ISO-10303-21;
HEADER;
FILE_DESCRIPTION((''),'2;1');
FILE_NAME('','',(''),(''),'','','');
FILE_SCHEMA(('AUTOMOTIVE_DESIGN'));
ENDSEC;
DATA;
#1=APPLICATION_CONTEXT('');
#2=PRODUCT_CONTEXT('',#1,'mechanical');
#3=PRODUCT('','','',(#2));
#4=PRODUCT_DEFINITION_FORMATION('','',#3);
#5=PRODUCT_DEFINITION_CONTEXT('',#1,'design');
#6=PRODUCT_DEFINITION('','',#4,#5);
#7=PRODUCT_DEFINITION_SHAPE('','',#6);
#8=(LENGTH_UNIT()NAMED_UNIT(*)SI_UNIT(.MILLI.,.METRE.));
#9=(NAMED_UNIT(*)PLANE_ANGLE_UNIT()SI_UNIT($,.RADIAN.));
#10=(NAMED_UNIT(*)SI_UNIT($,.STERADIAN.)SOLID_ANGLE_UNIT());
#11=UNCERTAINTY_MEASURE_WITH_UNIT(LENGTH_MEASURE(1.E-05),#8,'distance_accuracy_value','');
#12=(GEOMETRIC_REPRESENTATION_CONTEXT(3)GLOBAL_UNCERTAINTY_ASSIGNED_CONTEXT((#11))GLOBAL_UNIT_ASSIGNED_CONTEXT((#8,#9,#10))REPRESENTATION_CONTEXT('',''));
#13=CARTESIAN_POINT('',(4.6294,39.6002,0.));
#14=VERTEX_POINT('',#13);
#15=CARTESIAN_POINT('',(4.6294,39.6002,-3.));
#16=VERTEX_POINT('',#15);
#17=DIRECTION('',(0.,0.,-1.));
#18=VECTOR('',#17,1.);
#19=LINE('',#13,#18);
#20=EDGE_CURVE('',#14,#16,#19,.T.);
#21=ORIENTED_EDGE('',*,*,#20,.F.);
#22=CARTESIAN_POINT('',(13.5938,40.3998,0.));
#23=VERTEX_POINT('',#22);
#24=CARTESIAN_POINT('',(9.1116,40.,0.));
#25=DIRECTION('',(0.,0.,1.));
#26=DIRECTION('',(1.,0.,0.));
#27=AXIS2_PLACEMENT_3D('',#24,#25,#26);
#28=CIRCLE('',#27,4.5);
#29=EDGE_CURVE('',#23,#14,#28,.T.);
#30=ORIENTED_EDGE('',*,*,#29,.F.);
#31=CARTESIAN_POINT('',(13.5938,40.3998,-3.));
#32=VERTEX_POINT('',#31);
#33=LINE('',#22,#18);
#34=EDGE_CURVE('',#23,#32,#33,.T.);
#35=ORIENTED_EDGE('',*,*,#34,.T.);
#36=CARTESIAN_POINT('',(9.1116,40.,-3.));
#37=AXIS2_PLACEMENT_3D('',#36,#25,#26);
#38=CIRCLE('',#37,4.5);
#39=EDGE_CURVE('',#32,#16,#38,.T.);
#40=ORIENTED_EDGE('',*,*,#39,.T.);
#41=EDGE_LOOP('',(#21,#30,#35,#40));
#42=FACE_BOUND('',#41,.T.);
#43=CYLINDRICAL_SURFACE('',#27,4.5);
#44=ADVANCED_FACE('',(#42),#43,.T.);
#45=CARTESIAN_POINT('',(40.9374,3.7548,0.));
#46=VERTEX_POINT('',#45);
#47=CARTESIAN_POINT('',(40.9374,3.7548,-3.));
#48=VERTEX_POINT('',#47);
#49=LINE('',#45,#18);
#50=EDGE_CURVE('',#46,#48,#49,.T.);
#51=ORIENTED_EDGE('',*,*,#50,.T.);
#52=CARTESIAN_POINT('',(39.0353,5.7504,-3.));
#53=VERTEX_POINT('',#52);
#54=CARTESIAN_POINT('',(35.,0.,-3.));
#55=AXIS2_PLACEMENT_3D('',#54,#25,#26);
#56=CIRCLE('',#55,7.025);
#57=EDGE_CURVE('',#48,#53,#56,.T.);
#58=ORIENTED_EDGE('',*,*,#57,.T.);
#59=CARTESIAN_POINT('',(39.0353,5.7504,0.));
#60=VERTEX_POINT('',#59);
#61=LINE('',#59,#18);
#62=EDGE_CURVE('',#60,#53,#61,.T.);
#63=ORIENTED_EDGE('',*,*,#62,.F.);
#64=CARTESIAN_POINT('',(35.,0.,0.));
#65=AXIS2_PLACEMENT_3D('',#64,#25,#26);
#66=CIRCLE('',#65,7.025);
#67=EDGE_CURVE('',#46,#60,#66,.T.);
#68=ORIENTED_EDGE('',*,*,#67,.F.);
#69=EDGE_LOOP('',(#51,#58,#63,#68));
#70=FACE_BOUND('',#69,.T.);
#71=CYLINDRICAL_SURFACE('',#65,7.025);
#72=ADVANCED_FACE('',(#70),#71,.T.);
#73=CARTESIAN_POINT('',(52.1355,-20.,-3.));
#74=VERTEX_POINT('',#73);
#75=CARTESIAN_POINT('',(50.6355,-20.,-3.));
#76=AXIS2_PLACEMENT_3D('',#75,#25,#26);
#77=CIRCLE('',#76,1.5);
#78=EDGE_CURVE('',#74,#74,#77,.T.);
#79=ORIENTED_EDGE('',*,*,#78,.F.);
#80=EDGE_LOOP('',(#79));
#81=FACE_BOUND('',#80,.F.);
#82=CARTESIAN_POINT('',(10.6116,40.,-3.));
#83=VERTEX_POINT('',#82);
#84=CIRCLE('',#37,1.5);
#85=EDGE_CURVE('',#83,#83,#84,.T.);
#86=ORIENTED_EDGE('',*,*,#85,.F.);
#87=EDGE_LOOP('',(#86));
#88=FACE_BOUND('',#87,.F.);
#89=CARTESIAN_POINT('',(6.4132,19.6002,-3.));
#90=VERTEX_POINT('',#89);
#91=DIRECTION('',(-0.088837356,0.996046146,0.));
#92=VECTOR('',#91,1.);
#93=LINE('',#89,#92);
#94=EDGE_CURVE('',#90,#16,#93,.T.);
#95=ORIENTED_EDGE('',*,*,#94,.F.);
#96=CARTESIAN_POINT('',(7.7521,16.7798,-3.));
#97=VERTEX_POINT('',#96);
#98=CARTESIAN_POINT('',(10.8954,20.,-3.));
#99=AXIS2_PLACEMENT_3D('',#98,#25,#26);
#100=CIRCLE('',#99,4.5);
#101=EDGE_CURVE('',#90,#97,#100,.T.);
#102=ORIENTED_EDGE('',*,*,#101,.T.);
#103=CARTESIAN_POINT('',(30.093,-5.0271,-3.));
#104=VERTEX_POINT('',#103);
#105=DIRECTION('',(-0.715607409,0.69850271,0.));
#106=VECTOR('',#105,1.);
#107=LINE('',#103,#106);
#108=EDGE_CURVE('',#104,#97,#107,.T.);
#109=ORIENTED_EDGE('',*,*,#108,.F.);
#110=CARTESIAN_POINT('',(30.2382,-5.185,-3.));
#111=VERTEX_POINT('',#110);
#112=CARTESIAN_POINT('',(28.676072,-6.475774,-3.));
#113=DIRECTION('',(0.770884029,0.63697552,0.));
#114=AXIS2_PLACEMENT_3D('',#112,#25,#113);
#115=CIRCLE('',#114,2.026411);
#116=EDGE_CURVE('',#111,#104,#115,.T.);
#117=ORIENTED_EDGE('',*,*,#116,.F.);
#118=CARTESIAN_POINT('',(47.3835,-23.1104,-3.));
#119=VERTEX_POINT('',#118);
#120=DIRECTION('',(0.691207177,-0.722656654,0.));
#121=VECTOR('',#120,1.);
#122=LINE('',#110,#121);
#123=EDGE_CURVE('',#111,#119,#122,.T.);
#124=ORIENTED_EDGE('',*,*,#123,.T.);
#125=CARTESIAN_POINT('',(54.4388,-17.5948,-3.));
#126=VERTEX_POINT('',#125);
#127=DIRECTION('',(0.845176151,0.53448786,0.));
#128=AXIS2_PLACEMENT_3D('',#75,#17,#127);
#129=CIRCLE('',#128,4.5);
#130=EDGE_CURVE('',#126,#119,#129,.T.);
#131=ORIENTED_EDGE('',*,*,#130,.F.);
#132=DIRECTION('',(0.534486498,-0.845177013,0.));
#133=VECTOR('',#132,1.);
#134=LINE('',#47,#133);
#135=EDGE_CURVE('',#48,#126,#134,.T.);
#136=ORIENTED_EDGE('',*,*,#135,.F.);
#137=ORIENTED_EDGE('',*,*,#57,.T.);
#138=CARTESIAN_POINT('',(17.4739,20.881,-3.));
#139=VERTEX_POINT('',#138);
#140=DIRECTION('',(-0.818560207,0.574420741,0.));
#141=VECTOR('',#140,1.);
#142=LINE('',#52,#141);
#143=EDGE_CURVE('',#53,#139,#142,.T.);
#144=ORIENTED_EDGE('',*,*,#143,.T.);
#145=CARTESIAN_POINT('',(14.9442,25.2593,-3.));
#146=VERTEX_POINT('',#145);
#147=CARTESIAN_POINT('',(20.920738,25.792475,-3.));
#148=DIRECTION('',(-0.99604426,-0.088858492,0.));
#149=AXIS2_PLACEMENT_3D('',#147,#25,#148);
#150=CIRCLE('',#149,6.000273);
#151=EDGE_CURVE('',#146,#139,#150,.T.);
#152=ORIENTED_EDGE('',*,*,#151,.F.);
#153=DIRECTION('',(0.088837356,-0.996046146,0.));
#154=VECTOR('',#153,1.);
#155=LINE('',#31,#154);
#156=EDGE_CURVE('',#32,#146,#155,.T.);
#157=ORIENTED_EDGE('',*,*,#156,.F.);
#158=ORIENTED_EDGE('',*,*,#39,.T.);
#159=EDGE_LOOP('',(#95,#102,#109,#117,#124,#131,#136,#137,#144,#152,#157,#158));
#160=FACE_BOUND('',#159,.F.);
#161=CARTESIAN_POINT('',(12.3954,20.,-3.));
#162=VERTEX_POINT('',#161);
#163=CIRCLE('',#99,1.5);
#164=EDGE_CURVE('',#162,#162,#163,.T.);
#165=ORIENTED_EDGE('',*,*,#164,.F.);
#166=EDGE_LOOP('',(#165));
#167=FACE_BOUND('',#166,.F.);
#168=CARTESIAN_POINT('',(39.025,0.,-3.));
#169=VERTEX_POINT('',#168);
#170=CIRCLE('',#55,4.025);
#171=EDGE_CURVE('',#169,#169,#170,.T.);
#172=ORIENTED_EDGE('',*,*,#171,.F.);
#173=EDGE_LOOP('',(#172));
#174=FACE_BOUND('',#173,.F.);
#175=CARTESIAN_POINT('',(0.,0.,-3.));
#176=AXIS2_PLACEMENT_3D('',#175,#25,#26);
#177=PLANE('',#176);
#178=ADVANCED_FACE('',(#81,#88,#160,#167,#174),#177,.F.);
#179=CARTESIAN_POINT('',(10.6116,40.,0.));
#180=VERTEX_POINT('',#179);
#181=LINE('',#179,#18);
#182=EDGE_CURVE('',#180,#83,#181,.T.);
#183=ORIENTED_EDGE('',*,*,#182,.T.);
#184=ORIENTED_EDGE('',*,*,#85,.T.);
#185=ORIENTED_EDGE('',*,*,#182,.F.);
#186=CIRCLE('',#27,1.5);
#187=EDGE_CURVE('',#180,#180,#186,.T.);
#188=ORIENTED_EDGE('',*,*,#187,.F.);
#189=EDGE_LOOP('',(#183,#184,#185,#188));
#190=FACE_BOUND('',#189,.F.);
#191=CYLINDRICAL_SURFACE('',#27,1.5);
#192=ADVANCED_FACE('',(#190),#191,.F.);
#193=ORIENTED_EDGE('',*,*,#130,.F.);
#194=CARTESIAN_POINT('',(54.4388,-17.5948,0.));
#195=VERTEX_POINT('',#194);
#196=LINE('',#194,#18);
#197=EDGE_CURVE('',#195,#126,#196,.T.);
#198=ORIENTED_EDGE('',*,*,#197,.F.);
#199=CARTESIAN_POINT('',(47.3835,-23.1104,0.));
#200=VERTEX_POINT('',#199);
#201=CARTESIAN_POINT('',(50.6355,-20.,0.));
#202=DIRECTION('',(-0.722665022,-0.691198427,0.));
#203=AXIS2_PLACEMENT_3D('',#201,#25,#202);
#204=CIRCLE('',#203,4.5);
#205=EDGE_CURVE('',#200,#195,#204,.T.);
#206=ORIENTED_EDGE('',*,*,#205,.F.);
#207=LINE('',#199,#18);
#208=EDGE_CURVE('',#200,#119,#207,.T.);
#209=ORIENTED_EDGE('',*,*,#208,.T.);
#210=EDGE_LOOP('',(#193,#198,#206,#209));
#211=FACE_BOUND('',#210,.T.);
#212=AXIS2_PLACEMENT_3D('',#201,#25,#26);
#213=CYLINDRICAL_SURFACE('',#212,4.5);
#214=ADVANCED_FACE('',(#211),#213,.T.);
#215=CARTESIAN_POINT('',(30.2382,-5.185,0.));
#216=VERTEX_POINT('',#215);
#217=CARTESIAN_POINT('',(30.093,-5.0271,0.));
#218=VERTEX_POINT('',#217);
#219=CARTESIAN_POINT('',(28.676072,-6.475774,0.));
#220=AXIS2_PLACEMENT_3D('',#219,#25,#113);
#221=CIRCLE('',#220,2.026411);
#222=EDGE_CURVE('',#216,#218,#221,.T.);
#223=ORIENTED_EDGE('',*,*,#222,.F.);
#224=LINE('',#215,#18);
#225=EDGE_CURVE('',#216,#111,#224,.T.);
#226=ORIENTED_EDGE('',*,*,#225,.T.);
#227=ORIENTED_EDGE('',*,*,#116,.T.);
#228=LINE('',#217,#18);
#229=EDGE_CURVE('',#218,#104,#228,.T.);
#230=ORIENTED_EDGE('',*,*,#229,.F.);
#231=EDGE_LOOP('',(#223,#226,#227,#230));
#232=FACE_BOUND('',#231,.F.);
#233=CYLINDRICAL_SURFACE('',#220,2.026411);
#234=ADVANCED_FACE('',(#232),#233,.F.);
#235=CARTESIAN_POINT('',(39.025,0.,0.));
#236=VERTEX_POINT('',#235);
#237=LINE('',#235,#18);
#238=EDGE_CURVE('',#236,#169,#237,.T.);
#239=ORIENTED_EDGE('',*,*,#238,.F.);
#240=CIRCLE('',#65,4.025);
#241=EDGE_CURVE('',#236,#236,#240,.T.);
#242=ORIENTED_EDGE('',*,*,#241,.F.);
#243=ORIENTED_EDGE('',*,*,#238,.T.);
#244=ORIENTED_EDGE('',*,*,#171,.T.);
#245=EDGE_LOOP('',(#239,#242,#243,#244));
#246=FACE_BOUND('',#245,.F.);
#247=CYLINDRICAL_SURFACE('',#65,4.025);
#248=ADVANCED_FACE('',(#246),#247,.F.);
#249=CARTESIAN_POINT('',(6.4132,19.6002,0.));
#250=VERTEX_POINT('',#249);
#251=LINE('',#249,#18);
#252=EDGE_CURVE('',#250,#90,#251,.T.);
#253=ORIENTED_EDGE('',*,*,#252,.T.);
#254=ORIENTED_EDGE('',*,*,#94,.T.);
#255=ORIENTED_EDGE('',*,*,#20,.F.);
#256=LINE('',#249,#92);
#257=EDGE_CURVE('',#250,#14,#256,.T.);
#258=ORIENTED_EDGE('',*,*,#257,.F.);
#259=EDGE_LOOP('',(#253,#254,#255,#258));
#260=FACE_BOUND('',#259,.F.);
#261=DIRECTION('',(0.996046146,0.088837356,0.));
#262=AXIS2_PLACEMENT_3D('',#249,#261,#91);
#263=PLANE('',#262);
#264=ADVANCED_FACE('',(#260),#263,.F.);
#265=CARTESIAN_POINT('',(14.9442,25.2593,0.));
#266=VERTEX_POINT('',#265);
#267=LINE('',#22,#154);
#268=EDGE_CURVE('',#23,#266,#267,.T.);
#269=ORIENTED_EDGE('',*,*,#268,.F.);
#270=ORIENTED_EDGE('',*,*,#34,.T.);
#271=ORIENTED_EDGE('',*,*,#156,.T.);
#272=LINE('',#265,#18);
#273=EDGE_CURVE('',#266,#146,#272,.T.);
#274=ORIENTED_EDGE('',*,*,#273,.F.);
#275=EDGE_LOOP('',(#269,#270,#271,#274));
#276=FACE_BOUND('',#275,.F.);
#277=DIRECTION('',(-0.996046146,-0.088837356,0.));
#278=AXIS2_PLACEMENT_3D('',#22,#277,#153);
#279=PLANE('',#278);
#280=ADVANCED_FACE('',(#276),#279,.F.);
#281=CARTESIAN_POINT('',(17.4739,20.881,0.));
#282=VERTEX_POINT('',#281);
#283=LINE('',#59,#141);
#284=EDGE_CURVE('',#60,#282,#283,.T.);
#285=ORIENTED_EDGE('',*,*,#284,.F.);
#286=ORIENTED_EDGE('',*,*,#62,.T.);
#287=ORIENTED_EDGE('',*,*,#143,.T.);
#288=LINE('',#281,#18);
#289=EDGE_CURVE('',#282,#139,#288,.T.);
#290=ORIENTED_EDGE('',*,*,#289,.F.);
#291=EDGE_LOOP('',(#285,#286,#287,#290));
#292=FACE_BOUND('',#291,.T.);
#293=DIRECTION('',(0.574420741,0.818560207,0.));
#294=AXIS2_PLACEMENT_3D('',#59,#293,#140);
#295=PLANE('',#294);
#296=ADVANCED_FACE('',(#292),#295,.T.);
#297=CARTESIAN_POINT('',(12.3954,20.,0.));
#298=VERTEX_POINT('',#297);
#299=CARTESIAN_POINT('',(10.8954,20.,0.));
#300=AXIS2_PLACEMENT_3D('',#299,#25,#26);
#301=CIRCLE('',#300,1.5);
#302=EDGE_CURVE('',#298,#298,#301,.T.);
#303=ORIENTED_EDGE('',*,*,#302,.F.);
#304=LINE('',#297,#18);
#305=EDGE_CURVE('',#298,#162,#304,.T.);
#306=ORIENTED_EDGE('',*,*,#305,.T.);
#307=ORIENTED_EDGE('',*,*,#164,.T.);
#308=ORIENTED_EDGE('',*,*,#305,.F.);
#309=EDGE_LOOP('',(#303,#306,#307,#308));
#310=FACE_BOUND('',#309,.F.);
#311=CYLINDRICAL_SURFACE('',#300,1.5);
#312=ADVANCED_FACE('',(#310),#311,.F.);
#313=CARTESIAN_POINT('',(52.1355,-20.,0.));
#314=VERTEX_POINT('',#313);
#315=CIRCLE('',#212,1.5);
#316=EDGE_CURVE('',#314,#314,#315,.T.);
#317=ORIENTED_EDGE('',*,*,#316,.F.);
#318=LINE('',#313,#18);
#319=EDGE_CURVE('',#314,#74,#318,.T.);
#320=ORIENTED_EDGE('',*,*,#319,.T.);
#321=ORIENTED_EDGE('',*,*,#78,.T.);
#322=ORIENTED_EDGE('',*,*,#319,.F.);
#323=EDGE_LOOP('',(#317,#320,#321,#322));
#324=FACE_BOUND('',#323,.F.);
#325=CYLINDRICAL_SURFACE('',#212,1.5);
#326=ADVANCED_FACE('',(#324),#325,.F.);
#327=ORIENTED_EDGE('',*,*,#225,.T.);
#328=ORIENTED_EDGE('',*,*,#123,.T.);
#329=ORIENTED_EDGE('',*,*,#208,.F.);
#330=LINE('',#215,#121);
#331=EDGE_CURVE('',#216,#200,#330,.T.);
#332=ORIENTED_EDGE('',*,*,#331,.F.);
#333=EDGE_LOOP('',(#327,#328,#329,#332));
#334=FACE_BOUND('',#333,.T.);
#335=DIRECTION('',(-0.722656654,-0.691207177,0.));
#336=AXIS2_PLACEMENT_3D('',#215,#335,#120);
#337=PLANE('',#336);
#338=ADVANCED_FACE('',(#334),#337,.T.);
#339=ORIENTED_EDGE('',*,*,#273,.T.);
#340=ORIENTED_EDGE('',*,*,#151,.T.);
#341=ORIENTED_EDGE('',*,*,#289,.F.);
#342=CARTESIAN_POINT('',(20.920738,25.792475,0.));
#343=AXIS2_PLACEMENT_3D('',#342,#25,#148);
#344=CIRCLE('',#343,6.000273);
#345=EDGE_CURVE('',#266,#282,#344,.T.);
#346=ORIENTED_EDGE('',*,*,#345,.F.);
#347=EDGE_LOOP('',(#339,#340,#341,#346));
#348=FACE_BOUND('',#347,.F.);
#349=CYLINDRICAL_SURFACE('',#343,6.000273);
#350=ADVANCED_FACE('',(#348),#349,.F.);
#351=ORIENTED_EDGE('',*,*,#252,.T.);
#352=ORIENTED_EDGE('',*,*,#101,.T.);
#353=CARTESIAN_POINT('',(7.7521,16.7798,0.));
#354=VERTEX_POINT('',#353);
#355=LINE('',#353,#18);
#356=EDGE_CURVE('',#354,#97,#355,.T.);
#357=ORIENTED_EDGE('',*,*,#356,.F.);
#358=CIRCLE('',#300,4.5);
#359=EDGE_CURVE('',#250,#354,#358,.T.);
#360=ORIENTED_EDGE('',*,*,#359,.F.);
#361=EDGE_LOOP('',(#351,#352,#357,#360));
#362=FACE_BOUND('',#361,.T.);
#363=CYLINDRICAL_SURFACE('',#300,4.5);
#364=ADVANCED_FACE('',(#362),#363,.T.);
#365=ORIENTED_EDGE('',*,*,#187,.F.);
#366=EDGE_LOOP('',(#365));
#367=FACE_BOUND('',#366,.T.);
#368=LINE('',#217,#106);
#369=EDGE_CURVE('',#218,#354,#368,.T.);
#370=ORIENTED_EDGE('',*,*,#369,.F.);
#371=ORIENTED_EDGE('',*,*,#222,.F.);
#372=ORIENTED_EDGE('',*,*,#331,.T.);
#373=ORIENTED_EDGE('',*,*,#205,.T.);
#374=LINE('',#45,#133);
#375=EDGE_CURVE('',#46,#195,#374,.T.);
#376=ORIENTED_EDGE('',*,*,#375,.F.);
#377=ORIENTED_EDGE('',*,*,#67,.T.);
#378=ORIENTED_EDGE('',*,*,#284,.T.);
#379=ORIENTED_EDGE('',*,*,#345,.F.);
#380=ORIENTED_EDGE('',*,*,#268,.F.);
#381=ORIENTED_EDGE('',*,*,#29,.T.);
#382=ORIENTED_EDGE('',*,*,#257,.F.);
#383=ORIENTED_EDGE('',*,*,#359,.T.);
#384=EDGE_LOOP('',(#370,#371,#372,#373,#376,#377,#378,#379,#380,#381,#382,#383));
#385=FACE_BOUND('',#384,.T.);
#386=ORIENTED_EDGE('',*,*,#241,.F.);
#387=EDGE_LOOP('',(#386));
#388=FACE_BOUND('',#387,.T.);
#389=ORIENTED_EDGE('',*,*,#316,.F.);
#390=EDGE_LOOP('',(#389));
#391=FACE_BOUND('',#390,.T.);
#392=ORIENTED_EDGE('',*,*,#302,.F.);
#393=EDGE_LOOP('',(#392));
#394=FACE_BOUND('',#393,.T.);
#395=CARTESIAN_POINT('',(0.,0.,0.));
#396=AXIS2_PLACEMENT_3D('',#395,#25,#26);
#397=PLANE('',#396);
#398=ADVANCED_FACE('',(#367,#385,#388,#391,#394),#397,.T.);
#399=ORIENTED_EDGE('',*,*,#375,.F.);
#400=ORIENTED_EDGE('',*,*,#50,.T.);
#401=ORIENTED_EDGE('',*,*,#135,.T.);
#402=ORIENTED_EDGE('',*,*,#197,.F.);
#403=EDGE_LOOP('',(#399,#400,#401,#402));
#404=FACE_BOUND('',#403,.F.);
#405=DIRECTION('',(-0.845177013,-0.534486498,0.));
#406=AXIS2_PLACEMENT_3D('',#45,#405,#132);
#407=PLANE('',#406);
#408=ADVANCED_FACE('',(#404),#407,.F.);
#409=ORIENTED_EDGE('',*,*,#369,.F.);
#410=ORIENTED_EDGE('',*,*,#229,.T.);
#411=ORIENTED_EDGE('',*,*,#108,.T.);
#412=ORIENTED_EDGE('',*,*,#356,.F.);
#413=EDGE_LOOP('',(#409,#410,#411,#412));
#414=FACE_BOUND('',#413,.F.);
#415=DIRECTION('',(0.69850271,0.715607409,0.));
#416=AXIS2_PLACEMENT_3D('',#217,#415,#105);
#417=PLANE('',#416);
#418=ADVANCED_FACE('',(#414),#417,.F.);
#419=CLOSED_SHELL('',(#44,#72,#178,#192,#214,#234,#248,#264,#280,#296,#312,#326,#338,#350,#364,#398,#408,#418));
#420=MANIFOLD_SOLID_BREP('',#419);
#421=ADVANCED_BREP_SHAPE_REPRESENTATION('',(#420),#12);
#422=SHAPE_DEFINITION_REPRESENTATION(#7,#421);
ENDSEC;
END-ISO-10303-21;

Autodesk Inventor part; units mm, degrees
ref_plane "YZ Plane" through (0, 0, 0) normal (1, 0, 0) x (0, 1, 0)
ref_plane "XZ Plane" through (0, 0, 0) normal (0, 1, 0) x (-1, 0, 0)
ref_plane "XY Plane" through (0, 0, 0) normal (0, 0, 1) x (1, 0, 0)
sketch "Sketch2" plane through (0, 0, 0) normal (0, 0, 1) x (1, 0, 0)
  circle A0 centre (9.1116, 40) radius 1.5
  circle A1 centre (9.1116, 40) radius 4.5
  circle A2 centre (35, 0) radius 4.025
  circle A3 centre (35, 0) radius 7.025
  circle A4 centre (10.8954, 20) radius 1.5
  circle A5 centre (10.8954, 20) radius 4.5
  circle A6 centre (50.6355, -20) radius 1.5
  circle A7 centre (50.6355, -20) radius 4.5
  arc A8 (28.8107, -1.9856) -> (20.579, 14.4531) centre (-28.3213, -20.3142) ccw construction
  arc A9 (18.0263, 45.1752) -> (16.1159, 20.406) centre (30.0598, 31.7888) ccw construction
  arc A10 (18.0263, 45.1752) -> (18.7829, 48.816) centre (15.9272, 47.5104) ccw construction
  arc A11 (20.496, 56.1256) -> (18.7829, 48.816) centre (24.3578, 51.365) ccw construction
  arc A12 (49.7418, -14.1257) -> (33.14, -6.2282) centre (15.9708, -63.7192) ccw construction
  arc A13 (52.5589, -35.9867) -> (51.8531, -15.4268) centre (46.0292, -25.9188) ccw construction
  arc A14 (49.7418, -14.1257) -> (51.8531, -15.4268) centre (65.07, 8.3841) ccw construction
  line L0 (20.9971, 13.8809) -> (15.6661, 20.9804) construction
  line L1 (39.0353, 5.7504) -> (13.4803, 23.6835)
  line L2 (30.093, -5.0271) -> (7.7521, 16.7798)
  line L3 (6.4132, 19.6002) -> (4.6294, 39.6002)
  line L4 (13.5938, 40.3998) -> (15.3776, 20.3998)
  line L5 (40.9374, 3.7548) -> (54.4388, -17.5948)
  line L6 (30.2382, -5.185) -> (47.3835, -23.1104)
  arc A15 (14.9442, 25.2593) -> (17.4739, 20.881) centre (20.9205, 25.7924) ccw
  arc A16 (30.2382, -5.185) -> (30.093, -5.0271) centre (28.696, -6.4584) ccw
  point P0 (0, 0)
  point P1 (15.1918, 22.4824)
  dimension "d25" = 3
  dimension "d26" = 9
  dimension "d27" = 8.05
  dimension "d28" = 14.05
  dimension "d29" = 3
  dimension "d30" = 9
  dimension "d31" = 3
  dimension "d32" = 9
  dimension "d33" = 40
  dimension "d34" = 20
  dimension "d35" = 20
  dimension "d36" = 6
  dimension "d37" = 2
extrude "Extrusion2" add sketch "Sketch2" against normal blind 3
properties part number "アーノン" material "Aluminum 7075"
